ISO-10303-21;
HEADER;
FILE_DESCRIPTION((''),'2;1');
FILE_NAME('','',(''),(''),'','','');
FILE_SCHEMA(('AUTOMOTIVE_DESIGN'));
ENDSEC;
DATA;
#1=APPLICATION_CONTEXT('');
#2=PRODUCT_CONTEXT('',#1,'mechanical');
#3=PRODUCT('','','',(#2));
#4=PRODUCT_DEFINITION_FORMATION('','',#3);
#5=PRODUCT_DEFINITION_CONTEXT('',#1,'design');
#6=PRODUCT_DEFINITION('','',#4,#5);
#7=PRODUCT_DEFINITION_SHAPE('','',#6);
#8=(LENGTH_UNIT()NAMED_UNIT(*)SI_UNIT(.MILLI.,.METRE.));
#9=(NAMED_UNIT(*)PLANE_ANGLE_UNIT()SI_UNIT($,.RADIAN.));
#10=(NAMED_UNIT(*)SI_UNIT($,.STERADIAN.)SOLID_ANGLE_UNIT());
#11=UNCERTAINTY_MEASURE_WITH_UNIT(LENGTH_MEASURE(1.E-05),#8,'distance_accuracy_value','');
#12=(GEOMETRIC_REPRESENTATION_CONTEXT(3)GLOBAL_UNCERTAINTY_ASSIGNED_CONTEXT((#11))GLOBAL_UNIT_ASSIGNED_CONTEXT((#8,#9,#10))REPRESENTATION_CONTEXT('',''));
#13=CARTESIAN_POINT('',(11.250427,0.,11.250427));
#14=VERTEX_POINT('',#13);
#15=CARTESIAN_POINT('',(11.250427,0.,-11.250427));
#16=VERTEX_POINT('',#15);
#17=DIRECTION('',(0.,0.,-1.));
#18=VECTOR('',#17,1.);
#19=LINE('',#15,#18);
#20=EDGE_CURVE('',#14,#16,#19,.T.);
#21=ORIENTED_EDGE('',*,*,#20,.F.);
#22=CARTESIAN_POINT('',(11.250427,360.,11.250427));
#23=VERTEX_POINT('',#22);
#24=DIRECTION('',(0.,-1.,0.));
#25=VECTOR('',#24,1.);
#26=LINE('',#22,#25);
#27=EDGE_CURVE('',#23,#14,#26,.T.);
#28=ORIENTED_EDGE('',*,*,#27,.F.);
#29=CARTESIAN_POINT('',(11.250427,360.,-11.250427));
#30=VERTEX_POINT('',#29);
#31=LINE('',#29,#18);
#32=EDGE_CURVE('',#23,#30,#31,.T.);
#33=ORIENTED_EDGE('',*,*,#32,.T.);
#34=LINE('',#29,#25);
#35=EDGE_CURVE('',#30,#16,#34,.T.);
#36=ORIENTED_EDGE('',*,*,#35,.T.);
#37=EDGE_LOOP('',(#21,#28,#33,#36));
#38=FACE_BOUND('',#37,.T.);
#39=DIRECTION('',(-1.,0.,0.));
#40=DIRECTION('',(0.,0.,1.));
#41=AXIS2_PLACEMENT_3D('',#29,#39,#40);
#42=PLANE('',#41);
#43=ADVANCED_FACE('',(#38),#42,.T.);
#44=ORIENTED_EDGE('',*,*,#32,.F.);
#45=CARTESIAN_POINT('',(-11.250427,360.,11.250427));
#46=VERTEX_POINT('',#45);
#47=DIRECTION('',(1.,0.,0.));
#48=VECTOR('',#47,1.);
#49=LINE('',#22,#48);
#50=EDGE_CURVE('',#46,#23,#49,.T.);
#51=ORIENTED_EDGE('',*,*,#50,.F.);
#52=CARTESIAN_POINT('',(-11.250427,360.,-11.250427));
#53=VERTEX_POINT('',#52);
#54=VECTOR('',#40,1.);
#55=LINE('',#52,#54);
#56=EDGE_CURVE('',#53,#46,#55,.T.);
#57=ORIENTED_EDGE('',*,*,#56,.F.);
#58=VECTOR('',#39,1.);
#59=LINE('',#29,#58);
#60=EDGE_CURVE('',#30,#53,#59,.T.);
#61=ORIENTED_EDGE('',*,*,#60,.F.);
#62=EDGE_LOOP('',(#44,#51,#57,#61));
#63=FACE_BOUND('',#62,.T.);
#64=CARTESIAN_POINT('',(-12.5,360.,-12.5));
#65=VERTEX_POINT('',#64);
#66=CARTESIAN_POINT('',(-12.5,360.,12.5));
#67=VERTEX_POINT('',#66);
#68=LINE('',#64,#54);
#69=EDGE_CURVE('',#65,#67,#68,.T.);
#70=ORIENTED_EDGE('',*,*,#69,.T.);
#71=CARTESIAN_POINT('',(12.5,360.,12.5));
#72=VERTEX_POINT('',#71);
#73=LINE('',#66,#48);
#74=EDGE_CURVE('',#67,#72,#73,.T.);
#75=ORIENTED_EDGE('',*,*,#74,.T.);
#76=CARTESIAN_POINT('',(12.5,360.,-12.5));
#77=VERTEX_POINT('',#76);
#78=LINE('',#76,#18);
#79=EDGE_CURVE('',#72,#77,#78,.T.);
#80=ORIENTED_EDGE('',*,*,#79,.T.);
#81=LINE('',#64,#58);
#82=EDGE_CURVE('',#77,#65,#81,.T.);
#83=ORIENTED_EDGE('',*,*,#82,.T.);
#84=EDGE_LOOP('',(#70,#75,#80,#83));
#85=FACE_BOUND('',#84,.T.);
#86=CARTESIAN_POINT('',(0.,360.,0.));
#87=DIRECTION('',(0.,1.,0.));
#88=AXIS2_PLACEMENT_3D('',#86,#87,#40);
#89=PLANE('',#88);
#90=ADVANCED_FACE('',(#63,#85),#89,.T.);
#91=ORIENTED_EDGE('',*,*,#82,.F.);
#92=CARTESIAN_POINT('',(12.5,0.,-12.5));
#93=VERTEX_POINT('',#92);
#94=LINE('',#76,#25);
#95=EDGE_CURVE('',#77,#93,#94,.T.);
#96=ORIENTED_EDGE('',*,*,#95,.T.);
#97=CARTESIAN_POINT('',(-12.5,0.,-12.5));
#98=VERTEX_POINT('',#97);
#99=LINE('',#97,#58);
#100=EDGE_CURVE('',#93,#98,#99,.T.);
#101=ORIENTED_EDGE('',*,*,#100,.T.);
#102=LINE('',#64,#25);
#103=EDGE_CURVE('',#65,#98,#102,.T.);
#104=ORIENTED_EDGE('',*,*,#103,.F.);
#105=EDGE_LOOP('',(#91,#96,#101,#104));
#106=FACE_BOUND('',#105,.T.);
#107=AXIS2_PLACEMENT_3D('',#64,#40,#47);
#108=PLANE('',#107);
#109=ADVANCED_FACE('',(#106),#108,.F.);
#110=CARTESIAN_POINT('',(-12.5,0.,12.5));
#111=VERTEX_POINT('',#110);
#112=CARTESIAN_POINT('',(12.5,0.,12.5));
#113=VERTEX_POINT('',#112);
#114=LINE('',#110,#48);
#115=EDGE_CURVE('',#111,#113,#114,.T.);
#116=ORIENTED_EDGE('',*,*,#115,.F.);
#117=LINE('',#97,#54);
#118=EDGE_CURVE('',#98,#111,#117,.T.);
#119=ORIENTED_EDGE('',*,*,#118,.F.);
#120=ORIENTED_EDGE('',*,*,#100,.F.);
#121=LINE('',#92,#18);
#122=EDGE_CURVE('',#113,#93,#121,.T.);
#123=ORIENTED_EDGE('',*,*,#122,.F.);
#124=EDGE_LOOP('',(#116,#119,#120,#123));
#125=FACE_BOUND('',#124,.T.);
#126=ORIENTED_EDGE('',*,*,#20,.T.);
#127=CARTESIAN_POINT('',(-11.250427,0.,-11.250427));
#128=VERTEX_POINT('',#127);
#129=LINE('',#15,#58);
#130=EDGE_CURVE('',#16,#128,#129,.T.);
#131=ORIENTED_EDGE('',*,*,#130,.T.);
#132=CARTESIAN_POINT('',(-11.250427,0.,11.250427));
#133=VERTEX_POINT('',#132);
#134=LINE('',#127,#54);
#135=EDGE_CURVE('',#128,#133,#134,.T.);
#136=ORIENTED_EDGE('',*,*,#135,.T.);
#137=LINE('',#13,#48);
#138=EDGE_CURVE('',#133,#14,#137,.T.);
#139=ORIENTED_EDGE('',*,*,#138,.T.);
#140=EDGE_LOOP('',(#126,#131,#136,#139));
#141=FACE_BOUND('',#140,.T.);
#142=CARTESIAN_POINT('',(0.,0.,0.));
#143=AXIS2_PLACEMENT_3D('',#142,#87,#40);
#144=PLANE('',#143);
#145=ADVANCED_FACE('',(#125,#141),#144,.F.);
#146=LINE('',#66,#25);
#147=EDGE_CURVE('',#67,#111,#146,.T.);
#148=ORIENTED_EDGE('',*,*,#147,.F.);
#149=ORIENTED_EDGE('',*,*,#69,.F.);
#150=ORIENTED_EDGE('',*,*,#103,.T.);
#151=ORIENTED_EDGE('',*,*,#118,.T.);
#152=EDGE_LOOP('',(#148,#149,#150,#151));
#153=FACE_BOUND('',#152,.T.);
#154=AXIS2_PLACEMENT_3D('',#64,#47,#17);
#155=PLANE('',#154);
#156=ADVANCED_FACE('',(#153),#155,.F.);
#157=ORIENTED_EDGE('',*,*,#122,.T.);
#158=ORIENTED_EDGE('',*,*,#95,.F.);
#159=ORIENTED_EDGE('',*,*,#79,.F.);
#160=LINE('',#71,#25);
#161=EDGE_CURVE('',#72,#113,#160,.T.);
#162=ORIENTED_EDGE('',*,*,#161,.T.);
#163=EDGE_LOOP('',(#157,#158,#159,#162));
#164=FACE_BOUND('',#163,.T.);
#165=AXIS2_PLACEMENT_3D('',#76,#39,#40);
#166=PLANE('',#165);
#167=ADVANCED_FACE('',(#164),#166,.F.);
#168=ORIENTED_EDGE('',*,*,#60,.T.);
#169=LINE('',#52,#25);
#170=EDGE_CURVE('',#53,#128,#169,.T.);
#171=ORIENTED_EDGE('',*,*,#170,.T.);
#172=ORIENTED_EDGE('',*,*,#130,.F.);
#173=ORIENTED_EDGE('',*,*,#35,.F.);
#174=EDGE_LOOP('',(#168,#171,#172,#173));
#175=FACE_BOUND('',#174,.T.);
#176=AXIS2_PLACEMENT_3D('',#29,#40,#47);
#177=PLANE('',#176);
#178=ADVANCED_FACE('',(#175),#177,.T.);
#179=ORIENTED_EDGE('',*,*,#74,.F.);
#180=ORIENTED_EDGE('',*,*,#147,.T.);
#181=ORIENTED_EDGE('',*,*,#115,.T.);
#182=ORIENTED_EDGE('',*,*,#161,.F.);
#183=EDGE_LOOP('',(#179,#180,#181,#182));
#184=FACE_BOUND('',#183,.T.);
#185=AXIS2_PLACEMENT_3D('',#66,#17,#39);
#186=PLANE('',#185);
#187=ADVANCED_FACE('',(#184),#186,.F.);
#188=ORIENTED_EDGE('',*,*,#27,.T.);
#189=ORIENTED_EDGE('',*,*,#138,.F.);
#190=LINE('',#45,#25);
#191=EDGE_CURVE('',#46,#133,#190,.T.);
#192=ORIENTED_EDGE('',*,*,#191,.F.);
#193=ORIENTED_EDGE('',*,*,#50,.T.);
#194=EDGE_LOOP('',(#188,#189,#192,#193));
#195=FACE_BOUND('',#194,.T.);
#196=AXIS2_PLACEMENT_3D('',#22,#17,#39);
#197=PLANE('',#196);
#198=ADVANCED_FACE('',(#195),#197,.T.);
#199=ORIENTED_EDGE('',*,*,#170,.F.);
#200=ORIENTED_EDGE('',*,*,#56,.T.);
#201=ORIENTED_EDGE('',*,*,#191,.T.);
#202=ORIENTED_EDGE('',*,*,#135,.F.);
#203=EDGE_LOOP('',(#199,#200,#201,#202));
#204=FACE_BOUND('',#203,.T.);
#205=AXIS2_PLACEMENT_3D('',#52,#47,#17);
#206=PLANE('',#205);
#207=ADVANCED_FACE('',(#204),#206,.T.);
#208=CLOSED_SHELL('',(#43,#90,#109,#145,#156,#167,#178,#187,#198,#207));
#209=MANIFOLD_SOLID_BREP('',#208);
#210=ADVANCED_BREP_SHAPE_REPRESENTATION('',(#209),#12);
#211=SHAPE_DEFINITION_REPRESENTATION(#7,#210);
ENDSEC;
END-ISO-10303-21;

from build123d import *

# Parameters (mm, degrees)
SKETCH1_W           = 25
SKETCH1_H           = 25
SKETCH1_W_2         = 22.500853306
SKETCH1_H_2         = 22.500853306
BOSS_EXTRUDE1_DEPTH = 360


with BuildPart() as part:
    # Sketch1 → Boss-Extrude1 (new body)
    with BuildSketch(Plane(origin=(0, 0, 0), x_dir=(1, 0, 0), z_dir=(0, 1, 0))):
        Rectangle(SKETCH1_W, SKETCH1_H)
        Rectangle(SKETCH1_W_2, SKETCH1_H_2, mode=Mode.SUBTRACT)
    extrude(amount=BOSS_EXTRUDE1_DEPTH)


solid = part.part
